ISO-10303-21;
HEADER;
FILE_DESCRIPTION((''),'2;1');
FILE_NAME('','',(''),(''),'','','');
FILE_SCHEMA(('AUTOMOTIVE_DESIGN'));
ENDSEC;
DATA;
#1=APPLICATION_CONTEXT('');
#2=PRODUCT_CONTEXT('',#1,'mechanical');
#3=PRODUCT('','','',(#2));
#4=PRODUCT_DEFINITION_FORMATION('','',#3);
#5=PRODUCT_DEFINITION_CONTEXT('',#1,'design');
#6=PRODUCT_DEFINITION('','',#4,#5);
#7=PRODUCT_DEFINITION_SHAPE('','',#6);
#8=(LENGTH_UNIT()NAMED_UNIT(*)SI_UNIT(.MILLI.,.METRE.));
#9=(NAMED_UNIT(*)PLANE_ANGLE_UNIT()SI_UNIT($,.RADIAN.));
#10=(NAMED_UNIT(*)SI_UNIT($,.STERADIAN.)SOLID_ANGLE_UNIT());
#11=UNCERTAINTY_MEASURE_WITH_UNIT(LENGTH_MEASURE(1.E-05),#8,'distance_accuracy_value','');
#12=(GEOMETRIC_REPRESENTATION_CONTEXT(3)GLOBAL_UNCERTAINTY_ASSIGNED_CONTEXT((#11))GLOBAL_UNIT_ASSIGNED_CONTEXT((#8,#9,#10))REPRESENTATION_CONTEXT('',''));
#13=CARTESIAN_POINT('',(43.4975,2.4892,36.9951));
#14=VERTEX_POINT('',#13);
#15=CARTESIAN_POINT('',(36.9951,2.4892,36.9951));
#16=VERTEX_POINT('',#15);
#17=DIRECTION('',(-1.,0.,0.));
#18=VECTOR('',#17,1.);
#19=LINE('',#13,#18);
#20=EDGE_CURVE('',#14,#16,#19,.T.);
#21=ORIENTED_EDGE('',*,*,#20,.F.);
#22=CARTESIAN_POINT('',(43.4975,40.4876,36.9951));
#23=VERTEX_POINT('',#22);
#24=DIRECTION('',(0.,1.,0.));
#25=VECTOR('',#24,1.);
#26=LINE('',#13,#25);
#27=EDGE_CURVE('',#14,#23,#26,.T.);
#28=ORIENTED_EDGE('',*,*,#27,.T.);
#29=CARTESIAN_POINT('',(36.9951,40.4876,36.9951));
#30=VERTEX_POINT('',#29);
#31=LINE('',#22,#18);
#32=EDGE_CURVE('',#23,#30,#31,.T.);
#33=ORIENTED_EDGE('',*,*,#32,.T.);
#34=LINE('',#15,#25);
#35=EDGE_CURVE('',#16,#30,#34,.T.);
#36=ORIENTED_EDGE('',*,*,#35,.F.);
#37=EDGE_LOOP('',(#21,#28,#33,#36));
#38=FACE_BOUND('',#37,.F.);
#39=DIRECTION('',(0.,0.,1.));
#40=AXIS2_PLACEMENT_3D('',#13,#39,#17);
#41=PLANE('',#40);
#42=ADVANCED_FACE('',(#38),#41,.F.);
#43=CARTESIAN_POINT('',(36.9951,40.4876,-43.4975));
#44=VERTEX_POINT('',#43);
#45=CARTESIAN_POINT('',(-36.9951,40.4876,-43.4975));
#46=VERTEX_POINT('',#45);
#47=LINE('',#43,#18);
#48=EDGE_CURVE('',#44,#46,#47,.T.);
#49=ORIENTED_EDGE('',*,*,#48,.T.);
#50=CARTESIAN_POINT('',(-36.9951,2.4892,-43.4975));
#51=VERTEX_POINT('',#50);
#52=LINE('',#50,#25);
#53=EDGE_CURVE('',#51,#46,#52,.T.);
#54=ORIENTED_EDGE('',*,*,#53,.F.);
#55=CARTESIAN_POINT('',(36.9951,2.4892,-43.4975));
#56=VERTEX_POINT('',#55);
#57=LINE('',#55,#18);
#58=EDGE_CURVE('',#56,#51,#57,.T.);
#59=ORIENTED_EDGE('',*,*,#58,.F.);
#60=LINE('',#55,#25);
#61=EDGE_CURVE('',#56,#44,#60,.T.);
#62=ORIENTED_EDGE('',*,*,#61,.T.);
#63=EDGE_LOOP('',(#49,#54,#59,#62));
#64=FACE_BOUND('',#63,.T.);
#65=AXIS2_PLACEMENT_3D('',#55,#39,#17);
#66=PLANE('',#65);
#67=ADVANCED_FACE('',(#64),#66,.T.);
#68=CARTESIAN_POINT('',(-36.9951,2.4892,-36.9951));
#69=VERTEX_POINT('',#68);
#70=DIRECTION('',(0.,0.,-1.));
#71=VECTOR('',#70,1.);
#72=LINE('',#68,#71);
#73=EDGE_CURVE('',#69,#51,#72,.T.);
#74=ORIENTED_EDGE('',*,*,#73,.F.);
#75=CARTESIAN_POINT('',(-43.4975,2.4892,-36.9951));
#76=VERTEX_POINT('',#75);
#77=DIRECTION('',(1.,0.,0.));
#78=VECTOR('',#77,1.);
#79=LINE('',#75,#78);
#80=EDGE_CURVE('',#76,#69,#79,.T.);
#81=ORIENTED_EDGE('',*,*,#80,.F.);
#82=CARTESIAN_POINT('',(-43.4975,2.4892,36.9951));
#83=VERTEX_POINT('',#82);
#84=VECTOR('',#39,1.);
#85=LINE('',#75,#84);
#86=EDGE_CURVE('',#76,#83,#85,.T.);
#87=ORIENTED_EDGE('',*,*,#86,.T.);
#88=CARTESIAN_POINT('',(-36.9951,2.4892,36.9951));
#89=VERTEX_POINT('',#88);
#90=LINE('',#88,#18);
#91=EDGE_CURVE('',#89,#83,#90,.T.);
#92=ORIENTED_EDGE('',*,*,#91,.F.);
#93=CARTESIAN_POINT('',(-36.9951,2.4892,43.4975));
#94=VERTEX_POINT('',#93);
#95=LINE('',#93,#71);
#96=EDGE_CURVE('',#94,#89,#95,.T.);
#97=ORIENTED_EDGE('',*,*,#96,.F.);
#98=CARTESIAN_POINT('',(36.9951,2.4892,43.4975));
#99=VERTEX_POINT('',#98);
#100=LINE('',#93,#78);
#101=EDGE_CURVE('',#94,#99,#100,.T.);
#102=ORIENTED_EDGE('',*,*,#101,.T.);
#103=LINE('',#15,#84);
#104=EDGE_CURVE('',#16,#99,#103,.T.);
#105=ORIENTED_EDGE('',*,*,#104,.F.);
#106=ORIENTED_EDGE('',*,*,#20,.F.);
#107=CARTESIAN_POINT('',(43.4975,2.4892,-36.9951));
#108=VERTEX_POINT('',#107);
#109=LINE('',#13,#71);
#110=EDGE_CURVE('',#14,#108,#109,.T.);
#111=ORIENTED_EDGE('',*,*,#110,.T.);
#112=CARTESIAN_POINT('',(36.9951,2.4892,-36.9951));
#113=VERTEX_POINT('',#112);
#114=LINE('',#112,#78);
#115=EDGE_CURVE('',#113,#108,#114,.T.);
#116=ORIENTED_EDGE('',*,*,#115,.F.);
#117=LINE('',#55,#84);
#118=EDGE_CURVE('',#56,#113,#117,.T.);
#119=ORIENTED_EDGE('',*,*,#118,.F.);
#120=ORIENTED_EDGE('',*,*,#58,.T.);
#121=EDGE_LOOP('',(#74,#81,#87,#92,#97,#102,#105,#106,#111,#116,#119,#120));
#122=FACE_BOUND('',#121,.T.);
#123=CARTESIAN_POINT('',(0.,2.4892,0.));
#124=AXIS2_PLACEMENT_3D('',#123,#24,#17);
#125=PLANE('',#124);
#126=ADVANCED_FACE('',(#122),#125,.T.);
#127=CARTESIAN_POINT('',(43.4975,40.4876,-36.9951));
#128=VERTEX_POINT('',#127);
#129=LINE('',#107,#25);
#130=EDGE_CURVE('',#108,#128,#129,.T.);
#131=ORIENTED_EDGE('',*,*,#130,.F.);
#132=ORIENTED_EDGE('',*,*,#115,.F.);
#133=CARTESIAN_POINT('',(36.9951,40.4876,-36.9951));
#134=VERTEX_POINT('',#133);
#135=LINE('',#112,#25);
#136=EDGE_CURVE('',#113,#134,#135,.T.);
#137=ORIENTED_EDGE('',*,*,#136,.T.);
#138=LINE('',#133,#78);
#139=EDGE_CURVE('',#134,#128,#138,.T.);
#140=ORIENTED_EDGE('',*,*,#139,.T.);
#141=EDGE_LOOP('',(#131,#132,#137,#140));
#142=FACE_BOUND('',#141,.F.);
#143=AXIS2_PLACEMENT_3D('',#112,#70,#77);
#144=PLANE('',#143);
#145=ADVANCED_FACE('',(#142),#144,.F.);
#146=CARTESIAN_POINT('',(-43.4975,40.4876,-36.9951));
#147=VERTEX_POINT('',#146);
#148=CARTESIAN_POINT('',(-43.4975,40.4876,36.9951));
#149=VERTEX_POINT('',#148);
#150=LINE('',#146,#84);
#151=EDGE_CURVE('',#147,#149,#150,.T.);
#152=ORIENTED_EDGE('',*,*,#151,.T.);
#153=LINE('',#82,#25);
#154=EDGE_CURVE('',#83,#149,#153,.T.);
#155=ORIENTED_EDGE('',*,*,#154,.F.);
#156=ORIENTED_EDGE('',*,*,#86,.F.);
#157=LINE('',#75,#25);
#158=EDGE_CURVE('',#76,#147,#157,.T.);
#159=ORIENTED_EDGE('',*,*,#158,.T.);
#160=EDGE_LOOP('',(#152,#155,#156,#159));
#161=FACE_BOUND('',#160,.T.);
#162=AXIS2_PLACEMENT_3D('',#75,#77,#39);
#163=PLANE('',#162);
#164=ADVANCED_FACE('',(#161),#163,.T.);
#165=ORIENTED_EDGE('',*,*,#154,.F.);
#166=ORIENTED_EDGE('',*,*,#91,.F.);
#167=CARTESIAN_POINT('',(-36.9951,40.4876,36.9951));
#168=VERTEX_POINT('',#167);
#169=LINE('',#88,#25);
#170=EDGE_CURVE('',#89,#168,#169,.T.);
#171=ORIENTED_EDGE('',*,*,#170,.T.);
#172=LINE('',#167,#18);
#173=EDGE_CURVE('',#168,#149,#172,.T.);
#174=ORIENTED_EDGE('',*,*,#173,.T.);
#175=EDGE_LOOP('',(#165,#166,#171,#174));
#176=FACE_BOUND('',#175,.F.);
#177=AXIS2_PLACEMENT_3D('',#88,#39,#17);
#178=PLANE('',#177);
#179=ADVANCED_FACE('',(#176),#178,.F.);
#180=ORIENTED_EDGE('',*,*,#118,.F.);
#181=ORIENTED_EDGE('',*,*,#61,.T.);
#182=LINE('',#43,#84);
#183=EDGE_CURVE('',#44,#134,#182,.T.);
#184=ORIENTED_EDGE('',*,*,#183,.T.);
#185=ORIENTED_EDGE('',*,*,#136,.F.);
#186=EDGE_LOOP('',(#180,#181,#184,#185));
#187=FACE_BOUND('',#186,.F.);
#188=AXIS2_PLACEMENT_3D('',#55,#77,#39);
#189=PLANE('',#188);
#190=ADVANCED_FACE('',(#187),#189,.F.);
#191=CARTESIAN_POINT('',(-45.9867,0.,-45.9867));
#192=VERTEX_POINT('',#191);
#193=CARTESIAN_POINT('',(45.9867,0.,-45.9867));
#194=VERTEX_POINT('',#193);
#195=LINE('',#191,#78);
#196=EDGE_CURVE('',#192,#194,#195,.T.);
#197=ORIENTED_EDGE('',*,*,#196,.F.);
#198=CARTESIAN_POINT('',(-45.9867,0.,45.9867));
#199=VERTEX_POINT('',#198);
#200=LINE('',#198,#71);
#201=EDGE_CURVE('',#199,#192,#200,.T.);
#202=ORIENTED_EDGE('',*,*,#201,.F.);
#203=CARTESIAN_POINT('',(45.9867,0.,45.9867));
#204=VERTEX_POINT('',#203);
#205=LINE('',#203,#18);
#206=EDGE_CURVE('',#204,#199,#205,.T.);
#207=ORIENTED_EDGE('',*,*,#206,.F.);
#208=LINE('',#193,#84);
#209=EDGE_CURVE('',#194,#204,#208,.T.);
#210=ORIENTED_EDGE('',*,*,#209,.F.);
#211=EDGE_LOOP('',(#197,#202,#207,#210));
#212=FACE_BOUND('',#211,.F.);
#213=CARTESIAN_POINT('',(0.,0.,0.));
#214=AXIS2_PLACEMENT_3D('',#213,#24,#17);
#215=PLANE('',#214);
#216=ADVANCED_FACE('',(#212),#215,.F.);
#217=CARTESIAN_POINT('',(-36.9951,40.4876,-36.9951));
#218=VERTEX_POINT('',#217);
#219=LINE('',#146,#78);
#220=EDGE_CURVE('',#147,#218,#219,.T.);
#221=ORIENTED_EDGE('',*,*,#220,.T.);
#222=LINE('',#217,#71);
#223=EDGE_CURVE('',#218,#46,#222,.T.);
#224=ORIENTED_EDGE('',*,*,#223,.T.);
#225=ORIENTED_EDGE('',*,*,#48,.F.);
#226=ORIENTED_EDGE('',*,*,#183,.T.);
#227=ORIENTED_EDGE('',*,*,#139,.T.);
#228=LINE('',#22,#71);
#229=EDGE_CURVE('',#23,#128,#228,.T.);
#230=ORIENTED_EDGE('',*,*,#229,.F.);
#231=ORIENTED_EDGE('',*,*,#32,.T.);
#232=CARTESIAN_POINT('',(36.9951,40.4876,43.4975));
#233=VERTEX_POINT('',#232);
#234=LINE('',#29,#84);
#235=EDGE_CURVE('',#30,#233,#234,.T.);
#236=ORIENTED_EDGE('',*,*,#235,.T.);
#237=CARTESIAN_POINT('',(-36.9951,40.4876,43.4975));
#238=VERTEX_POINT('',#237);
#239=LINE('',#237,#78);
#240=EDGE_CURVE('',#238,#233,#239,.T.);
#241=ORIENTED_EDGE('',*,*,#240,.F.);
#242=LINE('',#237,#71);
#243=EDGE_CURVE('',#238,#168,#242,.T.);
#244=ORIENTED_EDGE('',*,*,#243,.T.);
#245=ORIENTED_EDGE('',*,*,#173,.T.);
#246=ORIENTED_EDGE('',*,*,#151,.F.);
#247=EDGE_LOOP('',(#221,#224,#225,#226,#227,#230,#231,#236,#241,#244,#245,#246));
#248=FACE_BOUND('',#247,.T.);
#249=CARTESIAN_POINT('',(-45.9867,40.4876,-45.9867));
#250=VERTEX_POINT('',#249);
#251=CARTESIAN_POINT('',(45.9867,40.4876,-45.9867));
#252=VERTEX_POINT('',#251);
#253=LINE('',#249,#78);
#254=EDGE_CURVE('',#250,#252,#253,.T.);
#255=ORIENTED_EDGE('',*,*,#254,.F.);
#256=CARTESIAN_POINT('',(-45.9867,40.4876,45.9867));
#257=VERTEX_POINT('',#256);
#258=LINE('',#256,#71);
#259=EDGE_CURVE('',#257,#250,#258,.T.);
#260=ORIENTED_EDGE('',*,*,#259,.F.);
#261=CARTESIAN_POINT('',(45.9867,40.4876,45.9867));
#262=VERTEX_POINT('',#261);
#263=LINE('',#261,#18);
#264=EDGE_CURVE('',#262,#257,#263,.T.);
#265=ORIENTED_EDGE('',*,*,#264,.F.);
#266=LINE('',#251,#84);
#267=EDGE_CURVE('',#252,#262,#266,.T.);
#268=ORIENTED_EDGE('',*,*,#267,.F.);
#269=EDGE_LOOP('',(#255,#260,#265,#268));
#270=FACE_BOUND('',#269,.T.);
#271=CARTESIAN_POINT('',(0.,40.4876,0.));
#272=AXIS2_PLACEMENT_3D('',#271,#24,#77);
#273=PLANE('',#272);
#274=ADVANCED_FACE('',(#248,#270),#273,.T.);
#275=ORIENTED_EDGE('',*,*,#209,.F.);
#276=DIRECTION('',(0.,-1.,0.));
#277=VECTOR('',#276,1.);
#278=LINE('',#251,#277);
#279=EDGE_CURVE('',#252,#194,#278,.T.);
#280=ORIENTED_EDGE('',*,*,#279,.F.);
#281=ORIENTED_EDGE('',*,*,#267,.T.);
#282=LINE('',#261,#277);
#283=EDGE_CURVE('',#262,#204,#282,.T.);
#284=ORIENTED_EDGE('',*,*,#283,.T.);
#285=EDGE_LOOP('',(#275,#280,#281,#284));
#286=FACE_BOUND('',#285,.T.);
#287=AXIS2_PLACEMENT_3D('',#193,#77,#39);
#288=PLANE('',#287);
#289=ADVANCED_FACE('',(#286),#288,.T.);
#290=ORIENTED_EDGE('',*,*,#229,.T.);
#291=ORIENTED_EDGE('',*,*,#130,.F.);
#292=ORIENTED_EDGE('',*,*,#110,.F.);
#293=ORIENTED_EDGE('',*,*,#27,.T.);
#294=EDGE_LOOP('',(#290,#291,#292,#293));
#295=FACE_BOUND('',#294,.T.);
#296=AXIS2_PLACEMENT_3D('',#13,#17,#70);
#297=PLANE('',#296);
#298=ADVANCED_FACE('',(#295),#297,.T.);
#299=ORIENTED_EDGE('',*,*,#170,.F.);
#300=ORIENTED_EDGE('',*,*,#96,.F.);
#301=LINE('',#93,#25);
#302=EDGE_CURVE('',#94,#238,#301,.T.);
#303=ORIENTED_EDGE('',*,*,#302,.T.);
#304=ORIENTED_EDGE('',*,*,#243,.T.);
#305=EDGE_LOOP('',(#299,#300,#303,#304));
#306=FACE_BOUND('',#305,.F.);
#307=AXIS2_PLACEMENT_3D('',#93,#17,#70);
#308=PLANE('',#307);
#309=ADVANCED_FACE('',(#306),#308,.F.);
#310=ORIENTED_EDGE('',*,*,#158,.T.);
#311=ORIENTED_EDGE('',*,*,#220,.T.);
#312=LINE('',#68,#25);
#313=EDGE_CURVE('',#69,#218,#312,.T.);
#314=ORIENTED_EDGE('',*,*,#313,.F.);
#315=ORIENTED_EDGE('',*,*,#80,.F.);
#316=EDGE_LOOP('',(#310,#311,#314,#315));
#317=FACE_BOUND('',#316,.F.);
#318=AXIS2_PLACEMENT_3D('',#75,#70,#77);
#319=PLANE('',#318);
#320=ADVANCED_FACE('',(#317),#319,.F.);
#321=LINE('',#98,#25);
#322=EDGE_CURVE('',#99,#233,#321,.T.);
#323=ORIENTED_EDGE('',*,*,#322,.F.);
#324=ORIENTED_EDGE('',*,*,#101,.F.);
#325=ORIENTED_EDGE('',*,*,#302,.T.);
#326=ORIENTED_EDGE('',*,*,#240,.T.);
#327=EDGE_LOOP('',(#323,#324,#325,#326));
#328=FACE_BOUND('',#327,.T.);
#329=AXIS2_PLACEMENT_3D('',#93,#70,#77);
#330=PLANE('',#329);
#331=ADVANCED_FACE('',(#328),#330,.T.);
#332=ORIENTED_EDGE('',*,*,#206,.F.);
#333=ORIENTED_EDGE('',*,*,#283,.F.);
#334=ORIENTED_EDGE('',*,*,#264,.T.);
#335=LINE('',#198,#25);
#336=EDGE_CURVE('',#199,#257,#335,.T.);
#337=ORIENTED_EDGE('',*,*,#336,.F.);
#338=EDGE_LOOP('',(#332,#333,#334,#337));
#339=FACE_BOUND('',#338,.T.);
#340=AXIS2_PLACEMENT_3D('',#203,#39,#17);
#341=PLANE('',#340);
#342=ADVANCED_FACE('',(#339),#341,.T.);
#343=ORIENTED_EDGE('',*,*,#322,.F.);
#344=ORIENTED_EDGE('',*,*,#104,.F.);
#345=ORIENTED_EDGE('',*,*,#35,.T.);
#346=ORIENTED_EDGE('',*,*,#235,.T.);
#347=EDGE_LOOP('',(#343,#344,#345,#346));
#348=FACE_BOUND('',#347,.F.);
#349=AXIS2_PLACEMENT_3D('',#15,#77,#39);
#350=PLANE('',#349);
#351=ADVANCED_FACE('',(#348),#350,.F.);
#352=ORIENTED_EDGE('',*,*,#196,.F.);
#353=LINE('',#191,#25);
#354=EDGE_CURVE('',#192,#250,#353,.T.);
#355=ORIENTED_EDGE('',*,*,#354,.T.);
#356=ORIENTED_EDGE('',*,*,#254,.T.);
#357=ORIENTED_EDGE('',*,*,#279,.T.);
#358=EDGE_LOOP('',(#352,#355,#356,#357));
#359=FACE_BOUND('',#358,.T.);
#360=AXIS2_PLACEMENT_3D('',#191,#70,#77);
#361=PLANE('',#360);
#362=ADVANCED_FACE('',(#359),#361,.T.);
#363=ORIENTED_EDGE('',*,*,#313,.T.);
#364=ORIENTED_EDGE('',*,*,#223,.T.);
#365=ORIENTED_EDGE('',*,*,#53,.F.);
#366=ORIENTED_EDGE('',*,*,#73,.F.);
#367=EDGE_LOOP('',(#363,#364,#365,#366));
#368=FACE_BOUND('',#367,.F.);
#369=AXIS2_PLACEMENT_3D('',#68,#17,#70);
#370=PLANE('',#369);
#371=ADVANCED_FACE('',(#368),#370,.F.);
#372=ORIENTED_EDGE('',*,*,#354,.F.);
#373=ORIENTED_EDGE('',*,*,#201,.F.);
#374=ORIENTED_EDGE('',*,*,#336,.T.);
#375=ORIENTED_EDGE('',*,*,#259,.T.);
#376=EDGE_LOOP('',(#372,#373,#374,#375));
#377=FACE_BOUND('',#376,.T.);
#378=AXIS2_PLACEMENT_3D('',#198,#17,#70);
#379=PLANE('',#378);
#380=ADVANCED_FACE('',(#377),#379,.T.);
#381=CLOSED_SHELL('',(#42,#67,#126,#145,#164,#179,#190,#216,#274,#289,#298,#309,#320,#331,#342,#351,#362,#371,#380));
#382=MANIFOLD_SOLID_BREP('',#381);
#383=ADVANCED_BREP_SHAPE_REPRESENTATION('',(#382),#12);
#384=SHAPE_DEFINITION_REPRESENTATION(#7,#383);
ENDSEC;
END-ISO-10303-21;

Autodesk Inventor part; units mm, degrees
ref_plane "YZ Plane" through (0, 0, 0) normal (1, 0, 0) x (0, 1, 0)
ref_plane "XZ Plane" through (0, 0, 0) normal (0, 1, 0) x (-1, 0, 0)
ref_plane "XY Plane" through (0, 0, 0) normal (0, 0, 1) x (1, 0, 0)
sketch "Sketch1" plane through (0, 0, 0) normal (0, 1, 0) x (-1, 0, 0)
  line L0 (45.9867, -45.9867) -> (-45.9867, -45.9867)
  line L1 (-45.9867, -45.9867) -> (-45.9867, 45.9867)
  line L2 (-45.9867, 45.9867) -> (45.9867, 45.9867)
  line L3 (45.9867, 45.9867) -> (45.9867, -45.9867)
  line L4 (45.9867, -45.9867) -> (-45.9867, 45.9867) construction
  line L5 (-45.9867, -45.9867) -> (45.9867, 45.9867) construction
  point P0 (0, 0)
  dimension "d0" = 91.9734
  dimension "d1" = 91.9734
extrude "Extrusion1" add sketch "Sketch1" along normal blind 2.4892
sketch "Sketch2" plane through (0, 2.4892, 0) normal (0, 1, 0) x (1, 0, 0)
  line L0 (-45.9867, -45.9867) -> (45.9867, -45.9867) projected
  line L1 (45.9867, 45.9867) -> (-45.9867, 45.9867) projected
  line L2 (-45.9867, -45.9867) -> (45.9867, -45.9867)
  line L3 (45.9867, -45.9867) -> (45.9867, 45.9867)
  line L4 (45.9867, 45.9867) -> (-45.9867, 45.9867)
  line L5 (-45.9867, 45.9867) -> (-45.9867, -45.9867)
  line L6 (43.4975, -43.4975) -> (-43.4975, 43.4975) construction
  line L7 (-43.4975, -43.4975) -> (43.4975, 43.4975) construction
  line L8 (-45.9867, -45.9867) -> (-36.9951, -45.9867)
  line L9 (-45.9867, -36.9951) -> (-45.9867, -45.9867)
  line L10 (-45.9867, 45.9867) -> (-45.9867, -45.9867) projected
  line L11 (-45.9867, 45.9867) -> (-36.9951, 45.9867)
  line L12 (-45.9867, 36.9951) -> (-45.9867, 45.9867)
  line L13 (45.9867, 45.9867) -> (36.9951, 45.9867)
  line L14 (45.9867, 36.9951) -> (45.9867, 45.9867)
  line L15 (45.9867, -45.9867) -> (36.9951, -45.9867)
  line L16 (45.9867, -36.9951) -> (45.9867, -45.9867)
  line L17 (-36.9951, -43.4975) -> (-36.9951, -36.9951)
  line L18 (-36.9951, -36.9951) -> (-43.4975, -36.9951)
  line L19 (-43.4975, 36.9951) -> (-36.9951, 36.9951)
  line L20 (-36.9951, 36.9951) -> (-36.9951, 43.4975)
  line L21 (36.9951, 36.9951) -> (43.4975, 36.9951)
  line L22 (36.9951, 43.4975) -> (36.9951, 36.9951)
  line L23 (43.4975, -36.9951) -> (36.9951, -36.9951)
  line L24 (36.9951, -36.9951) -> (36.9951, -43.4975)
  line L25 (-36.9951, -43.4975) -> (36.9951, -43.4975)
  line L26 (43.4975, -36.9951) -> (43.4975, 36.9951)
  line L27 (36.9951, 43.4975) -> (-36.9951, 43.4975)
  line L28 (-43.4975, 36.9951) -> (-43.4975, -36.9951)
  point P0 (0, 0)
  dimension "d4" = 86.995
  dimension "d5" = 86.995
  dimension "d6" = 8.9916
  dimension "d7" = 8.9916
  dimension "d10" = 8.9916
  dimension "d11" = 8.9916
extrude "Extrusion2" add sketch "Sketch2" along normal blind 37.9984
properties part number "546-1590YFLBK-3.62x3.62-Enclosure"
